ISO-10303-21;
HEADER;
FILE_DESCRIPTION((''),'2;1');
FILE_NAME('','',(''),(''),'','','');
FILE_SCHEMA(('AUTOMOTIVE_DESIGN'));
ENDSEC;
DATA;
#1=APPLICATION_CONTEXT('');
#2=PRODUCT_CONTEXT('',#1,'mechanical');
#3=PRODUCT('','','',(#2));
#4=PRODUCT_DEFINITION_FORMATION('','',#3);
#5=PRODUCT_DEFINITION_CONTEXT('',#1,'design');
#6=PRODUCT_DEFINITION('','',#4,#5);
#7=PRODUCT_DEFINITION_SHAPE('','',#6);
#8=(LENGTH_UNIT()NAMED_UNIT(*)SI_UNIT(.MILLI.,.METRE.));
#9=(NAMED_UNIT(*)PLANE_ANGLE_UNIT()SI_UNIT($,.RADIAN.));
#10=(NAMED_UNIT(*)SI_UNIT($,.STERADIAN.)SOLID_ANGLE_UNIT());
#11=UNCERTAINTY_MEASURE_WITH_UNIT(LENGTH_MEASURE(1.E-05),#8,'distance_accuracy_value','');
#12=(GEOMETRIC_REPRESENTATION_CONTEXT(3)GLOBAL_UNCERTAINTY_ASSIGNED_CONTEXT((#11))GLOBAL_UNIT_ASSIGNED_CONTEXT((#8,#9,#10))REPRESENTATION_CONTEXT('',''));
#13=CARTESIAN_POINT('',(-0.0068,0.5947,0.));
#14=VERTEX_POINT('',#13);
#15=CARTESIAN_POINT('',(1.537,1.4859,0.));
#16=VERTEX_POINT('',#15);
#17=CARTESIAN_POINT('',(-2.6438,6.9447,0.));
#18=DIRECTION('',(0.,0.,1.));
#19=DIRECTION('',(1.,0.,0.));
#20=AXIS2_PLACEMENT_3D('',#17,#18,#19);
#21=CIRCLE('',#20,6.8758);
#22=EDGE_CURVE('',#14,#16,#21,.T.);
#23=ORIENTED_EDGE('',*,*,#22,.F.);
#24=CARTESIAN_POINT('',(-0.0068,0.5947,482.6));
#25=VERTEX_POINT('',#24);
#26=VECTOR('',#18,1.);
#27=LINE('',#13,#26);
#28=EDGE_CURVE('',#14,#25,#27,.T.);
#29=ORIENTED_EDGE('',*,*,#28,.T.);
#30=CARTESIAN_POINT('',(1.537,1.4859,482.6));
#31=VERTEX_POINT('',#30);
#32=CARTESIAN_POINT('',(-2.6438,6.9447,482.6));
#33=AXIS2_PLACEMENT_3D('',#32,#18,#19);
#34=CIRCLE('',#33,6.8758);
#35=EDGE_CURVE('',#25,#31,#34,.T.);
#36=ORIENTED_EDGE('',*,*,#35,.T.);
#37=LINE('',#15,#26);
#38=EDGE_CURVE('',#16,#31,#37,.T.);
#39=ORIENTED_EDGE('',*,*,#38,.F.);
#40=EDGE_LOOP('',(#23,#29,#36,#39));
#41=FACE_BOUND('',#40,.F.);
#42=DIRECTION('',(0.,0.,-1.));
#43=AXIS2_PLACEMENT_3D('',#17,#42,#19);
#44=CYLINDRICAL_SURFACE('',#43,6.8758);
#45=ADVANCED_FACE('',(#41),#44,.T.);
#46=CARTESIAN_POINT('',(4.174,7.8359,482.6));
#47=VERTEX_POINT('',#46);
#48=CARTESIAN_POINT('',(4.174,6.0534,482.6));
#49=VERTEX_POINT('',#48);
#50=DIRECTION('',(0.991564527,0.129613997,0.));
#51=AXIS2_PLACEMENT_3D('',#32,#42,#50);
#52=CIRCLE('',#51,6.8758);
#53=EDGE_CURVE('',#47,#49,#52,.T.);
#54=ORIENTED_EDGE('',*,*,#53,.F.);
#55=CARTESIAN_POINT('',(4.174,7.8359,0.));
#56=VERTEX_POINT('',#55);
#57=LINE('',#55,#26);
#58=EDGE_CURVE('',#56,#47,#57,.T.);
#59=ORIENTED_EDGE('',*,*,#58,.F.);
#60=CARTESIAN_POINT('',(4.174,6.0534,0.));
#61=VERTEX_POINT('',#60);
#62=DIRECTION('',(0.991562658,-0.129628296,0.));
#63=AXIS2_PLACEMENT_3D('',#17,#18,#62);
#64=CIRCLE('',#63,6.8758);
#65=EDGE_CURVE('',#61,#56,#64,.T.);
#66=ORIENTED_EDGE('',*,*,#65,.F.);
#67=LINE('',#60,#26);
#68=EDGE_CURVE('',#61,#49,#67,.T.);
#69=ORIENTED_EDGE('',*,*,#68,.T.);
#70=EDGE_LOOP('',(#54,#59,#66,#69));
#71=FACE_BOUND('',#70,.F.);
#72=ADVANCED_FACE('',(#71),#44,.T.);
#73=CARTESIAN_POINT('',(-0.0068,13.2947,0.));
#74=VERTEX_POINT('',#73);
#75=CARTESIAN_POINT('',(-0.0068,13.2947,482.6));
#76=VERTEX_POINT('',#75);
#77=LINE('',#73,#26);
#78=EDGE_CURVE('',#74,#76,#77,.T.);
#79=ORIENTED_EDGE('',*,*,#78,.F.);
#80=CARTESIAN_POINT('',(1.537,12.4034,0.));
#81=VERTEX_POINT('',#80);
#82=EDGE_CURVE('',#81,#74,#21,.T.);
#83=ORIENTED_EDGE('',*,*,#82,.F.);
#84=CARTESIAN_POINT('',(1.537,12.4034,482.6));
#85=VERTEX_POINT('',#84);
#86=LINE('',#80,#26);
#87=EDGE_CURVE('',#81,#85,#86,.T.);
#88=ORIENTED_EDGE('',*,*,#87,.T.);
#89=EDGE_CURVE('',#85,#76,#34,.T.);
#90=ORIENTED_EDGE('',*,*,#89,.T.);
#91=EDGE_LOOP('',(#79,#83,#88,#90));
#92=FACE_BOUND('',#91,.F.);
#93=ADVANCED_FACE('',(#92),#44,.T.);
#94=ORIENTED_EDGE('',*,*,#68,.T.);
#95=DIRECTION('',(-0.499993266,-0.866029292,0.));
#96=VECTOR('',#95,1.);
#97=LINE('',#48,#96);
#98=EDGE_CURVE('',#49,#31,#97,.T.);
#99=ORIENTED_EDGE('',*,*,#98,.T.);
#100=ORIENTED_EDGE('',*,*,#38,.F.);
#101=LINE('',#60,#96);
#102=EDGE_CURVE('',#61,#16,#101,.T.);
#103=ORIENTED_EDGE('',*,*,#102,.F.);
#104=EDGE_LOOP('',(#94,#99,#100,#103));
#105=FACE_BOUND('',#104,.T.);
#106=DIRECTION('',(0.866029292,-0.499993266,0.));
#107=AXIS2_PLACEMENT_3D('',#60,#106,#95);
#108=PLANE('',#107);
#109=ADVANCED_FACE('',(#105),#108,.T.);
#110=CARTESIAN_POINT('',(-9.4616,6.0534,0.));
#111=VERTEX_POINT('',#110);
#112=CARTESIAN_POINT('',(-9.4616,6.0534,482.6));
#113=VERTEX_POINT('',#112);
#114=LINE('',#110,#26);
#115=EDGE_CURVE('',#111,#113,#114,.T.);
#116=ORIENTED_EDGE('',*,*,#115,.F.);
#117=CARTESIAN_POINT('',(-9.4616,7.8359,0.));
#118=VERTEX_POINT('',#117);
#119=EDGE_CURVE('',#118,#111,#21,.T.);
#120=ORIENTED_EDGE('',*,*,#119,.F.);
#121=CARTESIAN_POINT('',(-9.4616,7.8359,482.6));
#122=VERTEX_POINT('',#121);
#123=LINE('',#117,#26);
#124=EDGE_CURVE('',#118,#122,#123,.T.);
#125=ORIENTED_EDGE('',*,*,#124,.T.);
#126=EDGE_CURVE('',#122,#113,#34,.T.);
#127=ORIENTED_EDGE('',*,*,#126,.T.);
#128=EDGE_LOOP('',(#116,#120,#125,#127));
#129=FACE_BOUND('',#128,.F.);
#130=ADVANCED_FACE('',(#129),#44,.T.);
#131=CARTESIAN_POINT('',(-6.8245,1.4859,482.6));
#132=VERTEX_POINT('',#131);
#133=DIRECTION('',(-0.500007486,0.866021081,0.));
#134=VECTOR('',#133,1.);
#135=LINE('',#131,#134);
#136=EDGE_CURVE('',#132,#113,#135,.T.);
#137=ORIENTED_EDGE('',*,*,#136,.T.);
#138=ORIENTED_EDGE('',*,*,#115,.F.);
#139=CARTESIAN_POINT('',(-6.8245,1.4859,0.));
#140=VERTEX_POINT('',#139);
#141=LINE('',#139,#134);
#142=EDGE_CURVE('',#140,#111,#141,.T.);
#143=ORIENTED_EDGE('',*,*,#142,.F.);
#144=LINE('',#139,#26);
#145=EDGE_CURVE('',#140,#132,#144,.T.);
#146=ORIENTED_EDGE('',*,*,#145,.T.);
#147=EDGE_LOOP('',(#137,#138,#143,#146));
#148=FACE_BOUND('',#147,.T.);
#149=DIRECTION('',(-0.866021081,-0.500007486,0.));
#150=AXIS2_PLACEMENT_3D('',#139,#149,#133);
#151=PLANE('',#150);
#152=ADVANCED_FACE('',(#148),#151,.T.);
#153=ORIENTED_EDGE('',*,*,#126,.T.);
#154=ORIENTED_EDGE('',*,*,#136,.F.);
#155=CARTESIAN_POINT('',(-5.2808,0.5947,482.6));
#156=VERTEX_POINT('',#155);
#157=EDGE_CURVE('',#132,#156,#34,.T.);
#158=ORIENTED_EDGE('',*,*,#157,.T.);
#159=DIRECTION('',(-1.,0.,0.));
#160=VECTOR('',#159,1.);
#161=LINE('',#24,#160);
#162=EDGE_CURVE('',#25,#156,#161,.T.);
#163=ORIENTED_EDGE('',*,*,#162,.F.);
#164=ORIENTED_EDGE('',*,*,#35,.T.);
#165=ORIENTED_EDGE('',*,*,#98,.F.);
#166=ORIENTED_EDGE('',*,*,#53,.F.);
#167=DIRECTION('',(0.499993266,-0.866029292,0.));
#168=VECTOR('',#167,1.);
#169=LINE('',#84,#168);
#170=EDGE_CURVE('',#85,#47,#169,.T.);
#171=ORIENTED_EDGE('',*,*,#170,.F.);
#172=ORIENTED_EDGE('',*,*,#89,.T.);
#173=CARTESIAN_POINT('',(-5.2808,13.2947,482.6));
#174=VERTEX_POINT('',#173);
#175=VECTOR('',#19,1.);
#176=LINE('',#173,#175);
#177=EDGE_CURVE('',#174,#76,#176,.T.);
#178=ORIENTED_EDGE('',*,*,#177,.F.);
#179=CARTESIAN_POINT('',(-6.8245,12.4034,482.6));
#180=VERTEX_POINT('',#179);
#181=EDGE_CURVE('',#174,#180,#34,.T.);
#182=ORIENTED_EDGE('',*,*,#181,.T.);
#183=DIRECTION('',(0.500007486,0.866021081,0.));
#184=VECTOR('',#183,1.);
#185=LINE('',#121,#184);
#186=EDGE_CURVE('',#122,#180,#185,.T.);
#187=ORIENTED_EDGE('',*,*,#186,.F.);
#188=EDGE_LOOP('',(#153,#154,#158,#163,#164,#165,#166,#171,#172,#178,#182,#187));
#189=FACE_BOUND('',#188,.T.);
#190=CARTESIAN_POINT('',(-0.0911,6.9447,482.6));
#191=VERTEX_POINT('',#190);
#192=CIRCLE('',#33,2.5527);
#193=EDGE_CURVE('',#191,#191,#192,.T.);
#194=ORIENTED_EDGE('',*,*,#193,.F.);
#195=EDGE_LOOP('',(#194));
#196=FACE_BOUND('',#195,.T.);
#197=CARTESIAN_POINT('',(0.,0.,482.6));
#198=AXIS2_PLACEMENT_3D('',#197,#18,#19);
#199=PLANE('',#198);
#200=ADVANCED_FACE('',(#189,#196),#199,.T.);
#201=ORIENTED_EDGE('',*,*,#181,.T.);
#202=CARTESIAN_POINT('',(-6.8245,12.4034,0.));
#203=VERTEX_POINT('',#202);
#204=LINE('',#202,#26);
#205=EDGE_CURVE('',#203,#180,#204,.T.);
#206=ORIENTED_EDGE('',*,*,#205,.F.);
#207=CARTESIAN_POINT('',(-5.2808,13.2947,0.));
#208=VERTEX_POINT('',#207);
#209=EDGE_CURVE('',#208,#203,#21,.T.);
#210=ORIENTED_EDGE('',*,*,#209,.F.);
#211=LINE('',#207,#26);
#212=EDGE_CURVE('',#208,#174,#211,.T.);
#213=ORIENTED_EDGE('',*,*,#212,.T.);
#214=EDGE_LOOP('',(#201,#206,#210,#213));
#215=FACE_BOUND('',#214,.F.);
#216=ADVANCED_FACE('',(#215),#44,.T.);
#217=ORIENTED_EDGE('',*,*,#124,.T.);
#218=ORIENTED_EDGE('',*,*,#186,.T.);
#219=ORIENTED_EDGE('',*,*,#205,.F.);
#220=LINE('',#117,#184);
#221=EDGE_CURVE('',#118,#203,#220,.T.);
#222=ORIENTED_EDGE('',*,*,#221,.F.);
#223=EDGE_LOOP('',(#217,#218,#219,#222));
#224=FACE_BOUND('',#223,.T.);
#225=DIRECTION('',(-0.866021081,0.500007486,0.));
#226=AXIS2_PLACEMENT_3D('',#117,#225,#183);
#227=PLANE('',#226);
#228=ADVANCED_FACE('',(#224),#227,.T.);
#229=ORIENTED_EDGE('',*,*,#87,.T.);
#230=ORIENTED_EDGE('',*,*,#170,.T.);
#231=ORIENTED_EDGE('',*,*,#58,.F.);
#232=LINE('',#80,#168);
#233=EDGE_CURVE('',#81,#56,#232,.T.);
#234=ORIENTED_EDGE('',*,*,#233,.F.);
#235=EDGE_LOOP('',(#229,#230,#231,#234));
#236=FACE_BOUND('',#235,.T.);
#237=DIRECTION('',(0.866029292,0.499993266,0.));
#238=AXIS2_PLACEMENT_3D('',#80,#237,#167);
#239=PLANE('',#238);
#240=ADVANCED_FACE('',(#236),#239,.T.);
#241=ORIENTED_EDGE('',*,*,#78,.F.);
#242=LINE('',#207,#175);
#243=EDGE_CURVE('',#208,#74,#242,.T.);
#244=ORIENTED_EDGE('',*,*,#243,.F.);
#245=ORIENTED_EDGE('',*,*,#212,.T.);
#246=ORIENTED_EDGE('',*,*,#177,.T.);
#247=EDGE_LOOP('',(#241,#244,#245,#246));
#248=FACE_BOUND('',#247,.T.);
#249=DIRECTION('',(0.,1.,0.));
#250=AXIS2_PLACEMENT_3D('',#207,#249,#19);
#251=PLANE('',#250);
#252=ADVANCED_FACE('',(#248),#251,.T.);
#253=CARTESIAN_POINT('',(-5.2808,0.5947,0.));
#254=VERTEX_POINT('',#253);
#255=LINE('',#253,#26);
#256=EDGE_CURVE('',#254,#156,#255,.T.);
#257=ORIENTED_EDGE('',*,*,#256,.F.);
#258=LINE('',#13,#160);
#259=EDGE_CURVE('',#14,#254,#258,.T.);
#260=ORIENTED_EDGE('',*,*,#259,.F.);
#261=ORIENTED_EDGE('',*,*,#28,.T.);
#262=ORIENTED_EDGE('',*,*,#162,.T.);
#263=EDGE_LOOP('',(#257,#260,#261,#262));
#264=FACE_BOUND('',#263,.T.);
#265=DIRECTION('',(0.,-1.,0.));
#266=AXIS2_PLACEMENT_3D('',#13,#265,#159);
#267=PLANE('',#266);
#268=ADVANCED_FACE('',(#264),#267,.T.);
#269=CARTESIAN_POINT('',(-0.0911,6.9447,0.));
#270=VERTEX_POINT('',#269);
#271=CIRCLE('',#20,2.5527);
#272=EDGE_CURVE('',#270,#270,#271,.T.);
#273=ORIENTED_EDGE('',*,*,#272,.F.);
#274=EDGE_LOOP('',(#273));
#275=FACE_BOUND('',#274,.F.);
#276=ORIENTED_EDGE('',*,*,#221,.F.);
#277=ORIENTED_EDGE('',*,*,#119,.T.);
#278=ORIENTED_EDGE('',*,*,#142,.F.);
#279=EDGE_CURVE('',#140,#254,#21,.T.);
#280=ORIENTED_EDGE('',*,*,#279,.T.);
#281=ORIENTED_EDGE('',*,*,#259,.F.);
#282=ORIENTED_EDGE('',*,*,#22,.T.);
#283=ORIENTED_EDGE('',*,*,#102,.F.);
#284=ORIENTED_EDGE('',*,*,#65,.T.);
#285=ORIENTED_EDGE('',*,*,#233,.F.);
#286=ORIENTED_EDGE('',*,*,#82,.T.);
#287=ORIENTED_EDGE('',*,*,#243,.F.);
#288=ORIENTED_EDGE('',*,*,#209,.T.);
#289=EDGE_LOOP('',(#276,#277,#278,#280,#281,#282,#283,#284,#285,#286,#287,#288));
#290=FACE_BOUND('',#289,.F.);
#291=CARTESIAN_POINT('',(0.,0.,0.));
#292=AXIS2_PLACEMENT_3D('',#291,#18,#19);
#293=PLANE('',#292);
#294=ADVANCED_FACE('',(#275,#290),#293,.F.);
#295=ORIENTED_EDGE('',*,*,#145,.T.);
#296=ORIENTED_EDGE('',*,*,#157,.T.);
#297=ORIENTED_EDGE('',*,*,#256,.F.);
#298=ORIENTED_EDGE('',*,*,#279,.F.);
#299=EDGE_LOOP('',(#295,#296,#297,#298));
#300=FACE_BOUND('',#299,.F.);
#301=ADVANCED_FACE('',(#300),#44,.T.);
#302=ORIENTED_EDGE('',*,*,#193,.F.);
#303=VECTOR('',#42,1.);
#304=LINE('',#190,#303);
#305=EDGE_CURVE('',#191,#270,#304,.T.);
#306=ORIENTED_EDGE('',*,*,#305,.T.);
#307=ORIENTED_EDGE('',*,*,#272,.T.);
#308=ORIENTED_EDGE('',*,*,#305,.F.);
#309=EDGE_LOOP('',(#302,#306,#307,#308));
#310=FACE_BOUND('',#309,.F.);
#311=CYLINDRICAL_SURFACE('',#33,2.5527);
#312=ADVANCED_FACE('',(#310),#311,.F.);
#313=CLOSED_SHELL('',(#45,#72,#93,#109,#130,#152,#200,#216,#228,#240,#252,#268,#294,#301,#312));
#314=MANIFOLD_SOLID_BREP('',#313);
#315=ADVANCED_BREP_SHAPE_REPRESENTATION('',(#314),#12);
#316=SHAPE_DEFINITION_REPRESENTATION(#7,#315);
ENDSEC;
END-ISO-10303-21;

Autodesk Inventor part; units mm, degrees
ref_plane "YZ Plane" through (0, 0, 0) normal (1, 0, 0) x (0, 1, 0)
ref_plane "XZ Plane" through (0, 0, 0) normal (0, 1, 0) x (-1, 0, 0)
ref_plane "XY Plane" through (0, 0, 0) normal (0, 0, 1) x (1, 0, 0)
sketch "Sketch1" plane through (0, 0, 0) normal (0, 0, 1) x (1, 0, 0)
  circle A0 centre (-2.6438, 6.9447) radius 6.8758
  line L0 (-9.4616, 7.8359) -> (-6.8245, 12.4034)
  line L1 (-6.8245, 1.4859) -> (-9.4616, 6.0534)
  line L2 (-0.0068, 0.5947) -> (-5.2808, 0.5947)
  line L3 (4.174, 6.0534) -> (1.537, 1.4859)
  line L4 (1.537, 12.4034) -> (4.174, 7.8359)
  line L5 (-5.2808, 13.2947) -> (-0.0068, 13.2947)
  point P0 (0, 0)
  point P1 (1.537, 1.4859)
  dimension "d0" = 13.7516
  dimension "d4" = 360
extrude "Extrusion1" add sketch "Sketch1" along normal blind 482.6 contours A0 L3 L2 L1 L0 L5 L4
sketch "Sketch2" plane through (0, 0, 482.6) normal (0, 0, 1) x (1, 0, 0)
  circle A0 centre (-2.6438, 6.9447) radius 2.5527
  line L0 (-5.2808, 0.5947) -> (-0.0068, 0.5947) projected
  line L1 (-2.6438, 6.9447) -> (-5.2808, 0.5947) construction
  line L2 (-2.6438, 6.9447) -> (-0.0068, 0.5947) construction
  point P0 (0, 0)
  dimension "d8" = 5.1054
  dimension "d9" = 6.35
extrude "Extrusion2" cut sketch "Sketch2" against normal blind 482.6
equation "\"d6\" = d5"
equation "\"d10\" = d5"
equation "\"d5\" = 482.6"
properties part number "9inthundershaft" material "Aluminum 6061"
